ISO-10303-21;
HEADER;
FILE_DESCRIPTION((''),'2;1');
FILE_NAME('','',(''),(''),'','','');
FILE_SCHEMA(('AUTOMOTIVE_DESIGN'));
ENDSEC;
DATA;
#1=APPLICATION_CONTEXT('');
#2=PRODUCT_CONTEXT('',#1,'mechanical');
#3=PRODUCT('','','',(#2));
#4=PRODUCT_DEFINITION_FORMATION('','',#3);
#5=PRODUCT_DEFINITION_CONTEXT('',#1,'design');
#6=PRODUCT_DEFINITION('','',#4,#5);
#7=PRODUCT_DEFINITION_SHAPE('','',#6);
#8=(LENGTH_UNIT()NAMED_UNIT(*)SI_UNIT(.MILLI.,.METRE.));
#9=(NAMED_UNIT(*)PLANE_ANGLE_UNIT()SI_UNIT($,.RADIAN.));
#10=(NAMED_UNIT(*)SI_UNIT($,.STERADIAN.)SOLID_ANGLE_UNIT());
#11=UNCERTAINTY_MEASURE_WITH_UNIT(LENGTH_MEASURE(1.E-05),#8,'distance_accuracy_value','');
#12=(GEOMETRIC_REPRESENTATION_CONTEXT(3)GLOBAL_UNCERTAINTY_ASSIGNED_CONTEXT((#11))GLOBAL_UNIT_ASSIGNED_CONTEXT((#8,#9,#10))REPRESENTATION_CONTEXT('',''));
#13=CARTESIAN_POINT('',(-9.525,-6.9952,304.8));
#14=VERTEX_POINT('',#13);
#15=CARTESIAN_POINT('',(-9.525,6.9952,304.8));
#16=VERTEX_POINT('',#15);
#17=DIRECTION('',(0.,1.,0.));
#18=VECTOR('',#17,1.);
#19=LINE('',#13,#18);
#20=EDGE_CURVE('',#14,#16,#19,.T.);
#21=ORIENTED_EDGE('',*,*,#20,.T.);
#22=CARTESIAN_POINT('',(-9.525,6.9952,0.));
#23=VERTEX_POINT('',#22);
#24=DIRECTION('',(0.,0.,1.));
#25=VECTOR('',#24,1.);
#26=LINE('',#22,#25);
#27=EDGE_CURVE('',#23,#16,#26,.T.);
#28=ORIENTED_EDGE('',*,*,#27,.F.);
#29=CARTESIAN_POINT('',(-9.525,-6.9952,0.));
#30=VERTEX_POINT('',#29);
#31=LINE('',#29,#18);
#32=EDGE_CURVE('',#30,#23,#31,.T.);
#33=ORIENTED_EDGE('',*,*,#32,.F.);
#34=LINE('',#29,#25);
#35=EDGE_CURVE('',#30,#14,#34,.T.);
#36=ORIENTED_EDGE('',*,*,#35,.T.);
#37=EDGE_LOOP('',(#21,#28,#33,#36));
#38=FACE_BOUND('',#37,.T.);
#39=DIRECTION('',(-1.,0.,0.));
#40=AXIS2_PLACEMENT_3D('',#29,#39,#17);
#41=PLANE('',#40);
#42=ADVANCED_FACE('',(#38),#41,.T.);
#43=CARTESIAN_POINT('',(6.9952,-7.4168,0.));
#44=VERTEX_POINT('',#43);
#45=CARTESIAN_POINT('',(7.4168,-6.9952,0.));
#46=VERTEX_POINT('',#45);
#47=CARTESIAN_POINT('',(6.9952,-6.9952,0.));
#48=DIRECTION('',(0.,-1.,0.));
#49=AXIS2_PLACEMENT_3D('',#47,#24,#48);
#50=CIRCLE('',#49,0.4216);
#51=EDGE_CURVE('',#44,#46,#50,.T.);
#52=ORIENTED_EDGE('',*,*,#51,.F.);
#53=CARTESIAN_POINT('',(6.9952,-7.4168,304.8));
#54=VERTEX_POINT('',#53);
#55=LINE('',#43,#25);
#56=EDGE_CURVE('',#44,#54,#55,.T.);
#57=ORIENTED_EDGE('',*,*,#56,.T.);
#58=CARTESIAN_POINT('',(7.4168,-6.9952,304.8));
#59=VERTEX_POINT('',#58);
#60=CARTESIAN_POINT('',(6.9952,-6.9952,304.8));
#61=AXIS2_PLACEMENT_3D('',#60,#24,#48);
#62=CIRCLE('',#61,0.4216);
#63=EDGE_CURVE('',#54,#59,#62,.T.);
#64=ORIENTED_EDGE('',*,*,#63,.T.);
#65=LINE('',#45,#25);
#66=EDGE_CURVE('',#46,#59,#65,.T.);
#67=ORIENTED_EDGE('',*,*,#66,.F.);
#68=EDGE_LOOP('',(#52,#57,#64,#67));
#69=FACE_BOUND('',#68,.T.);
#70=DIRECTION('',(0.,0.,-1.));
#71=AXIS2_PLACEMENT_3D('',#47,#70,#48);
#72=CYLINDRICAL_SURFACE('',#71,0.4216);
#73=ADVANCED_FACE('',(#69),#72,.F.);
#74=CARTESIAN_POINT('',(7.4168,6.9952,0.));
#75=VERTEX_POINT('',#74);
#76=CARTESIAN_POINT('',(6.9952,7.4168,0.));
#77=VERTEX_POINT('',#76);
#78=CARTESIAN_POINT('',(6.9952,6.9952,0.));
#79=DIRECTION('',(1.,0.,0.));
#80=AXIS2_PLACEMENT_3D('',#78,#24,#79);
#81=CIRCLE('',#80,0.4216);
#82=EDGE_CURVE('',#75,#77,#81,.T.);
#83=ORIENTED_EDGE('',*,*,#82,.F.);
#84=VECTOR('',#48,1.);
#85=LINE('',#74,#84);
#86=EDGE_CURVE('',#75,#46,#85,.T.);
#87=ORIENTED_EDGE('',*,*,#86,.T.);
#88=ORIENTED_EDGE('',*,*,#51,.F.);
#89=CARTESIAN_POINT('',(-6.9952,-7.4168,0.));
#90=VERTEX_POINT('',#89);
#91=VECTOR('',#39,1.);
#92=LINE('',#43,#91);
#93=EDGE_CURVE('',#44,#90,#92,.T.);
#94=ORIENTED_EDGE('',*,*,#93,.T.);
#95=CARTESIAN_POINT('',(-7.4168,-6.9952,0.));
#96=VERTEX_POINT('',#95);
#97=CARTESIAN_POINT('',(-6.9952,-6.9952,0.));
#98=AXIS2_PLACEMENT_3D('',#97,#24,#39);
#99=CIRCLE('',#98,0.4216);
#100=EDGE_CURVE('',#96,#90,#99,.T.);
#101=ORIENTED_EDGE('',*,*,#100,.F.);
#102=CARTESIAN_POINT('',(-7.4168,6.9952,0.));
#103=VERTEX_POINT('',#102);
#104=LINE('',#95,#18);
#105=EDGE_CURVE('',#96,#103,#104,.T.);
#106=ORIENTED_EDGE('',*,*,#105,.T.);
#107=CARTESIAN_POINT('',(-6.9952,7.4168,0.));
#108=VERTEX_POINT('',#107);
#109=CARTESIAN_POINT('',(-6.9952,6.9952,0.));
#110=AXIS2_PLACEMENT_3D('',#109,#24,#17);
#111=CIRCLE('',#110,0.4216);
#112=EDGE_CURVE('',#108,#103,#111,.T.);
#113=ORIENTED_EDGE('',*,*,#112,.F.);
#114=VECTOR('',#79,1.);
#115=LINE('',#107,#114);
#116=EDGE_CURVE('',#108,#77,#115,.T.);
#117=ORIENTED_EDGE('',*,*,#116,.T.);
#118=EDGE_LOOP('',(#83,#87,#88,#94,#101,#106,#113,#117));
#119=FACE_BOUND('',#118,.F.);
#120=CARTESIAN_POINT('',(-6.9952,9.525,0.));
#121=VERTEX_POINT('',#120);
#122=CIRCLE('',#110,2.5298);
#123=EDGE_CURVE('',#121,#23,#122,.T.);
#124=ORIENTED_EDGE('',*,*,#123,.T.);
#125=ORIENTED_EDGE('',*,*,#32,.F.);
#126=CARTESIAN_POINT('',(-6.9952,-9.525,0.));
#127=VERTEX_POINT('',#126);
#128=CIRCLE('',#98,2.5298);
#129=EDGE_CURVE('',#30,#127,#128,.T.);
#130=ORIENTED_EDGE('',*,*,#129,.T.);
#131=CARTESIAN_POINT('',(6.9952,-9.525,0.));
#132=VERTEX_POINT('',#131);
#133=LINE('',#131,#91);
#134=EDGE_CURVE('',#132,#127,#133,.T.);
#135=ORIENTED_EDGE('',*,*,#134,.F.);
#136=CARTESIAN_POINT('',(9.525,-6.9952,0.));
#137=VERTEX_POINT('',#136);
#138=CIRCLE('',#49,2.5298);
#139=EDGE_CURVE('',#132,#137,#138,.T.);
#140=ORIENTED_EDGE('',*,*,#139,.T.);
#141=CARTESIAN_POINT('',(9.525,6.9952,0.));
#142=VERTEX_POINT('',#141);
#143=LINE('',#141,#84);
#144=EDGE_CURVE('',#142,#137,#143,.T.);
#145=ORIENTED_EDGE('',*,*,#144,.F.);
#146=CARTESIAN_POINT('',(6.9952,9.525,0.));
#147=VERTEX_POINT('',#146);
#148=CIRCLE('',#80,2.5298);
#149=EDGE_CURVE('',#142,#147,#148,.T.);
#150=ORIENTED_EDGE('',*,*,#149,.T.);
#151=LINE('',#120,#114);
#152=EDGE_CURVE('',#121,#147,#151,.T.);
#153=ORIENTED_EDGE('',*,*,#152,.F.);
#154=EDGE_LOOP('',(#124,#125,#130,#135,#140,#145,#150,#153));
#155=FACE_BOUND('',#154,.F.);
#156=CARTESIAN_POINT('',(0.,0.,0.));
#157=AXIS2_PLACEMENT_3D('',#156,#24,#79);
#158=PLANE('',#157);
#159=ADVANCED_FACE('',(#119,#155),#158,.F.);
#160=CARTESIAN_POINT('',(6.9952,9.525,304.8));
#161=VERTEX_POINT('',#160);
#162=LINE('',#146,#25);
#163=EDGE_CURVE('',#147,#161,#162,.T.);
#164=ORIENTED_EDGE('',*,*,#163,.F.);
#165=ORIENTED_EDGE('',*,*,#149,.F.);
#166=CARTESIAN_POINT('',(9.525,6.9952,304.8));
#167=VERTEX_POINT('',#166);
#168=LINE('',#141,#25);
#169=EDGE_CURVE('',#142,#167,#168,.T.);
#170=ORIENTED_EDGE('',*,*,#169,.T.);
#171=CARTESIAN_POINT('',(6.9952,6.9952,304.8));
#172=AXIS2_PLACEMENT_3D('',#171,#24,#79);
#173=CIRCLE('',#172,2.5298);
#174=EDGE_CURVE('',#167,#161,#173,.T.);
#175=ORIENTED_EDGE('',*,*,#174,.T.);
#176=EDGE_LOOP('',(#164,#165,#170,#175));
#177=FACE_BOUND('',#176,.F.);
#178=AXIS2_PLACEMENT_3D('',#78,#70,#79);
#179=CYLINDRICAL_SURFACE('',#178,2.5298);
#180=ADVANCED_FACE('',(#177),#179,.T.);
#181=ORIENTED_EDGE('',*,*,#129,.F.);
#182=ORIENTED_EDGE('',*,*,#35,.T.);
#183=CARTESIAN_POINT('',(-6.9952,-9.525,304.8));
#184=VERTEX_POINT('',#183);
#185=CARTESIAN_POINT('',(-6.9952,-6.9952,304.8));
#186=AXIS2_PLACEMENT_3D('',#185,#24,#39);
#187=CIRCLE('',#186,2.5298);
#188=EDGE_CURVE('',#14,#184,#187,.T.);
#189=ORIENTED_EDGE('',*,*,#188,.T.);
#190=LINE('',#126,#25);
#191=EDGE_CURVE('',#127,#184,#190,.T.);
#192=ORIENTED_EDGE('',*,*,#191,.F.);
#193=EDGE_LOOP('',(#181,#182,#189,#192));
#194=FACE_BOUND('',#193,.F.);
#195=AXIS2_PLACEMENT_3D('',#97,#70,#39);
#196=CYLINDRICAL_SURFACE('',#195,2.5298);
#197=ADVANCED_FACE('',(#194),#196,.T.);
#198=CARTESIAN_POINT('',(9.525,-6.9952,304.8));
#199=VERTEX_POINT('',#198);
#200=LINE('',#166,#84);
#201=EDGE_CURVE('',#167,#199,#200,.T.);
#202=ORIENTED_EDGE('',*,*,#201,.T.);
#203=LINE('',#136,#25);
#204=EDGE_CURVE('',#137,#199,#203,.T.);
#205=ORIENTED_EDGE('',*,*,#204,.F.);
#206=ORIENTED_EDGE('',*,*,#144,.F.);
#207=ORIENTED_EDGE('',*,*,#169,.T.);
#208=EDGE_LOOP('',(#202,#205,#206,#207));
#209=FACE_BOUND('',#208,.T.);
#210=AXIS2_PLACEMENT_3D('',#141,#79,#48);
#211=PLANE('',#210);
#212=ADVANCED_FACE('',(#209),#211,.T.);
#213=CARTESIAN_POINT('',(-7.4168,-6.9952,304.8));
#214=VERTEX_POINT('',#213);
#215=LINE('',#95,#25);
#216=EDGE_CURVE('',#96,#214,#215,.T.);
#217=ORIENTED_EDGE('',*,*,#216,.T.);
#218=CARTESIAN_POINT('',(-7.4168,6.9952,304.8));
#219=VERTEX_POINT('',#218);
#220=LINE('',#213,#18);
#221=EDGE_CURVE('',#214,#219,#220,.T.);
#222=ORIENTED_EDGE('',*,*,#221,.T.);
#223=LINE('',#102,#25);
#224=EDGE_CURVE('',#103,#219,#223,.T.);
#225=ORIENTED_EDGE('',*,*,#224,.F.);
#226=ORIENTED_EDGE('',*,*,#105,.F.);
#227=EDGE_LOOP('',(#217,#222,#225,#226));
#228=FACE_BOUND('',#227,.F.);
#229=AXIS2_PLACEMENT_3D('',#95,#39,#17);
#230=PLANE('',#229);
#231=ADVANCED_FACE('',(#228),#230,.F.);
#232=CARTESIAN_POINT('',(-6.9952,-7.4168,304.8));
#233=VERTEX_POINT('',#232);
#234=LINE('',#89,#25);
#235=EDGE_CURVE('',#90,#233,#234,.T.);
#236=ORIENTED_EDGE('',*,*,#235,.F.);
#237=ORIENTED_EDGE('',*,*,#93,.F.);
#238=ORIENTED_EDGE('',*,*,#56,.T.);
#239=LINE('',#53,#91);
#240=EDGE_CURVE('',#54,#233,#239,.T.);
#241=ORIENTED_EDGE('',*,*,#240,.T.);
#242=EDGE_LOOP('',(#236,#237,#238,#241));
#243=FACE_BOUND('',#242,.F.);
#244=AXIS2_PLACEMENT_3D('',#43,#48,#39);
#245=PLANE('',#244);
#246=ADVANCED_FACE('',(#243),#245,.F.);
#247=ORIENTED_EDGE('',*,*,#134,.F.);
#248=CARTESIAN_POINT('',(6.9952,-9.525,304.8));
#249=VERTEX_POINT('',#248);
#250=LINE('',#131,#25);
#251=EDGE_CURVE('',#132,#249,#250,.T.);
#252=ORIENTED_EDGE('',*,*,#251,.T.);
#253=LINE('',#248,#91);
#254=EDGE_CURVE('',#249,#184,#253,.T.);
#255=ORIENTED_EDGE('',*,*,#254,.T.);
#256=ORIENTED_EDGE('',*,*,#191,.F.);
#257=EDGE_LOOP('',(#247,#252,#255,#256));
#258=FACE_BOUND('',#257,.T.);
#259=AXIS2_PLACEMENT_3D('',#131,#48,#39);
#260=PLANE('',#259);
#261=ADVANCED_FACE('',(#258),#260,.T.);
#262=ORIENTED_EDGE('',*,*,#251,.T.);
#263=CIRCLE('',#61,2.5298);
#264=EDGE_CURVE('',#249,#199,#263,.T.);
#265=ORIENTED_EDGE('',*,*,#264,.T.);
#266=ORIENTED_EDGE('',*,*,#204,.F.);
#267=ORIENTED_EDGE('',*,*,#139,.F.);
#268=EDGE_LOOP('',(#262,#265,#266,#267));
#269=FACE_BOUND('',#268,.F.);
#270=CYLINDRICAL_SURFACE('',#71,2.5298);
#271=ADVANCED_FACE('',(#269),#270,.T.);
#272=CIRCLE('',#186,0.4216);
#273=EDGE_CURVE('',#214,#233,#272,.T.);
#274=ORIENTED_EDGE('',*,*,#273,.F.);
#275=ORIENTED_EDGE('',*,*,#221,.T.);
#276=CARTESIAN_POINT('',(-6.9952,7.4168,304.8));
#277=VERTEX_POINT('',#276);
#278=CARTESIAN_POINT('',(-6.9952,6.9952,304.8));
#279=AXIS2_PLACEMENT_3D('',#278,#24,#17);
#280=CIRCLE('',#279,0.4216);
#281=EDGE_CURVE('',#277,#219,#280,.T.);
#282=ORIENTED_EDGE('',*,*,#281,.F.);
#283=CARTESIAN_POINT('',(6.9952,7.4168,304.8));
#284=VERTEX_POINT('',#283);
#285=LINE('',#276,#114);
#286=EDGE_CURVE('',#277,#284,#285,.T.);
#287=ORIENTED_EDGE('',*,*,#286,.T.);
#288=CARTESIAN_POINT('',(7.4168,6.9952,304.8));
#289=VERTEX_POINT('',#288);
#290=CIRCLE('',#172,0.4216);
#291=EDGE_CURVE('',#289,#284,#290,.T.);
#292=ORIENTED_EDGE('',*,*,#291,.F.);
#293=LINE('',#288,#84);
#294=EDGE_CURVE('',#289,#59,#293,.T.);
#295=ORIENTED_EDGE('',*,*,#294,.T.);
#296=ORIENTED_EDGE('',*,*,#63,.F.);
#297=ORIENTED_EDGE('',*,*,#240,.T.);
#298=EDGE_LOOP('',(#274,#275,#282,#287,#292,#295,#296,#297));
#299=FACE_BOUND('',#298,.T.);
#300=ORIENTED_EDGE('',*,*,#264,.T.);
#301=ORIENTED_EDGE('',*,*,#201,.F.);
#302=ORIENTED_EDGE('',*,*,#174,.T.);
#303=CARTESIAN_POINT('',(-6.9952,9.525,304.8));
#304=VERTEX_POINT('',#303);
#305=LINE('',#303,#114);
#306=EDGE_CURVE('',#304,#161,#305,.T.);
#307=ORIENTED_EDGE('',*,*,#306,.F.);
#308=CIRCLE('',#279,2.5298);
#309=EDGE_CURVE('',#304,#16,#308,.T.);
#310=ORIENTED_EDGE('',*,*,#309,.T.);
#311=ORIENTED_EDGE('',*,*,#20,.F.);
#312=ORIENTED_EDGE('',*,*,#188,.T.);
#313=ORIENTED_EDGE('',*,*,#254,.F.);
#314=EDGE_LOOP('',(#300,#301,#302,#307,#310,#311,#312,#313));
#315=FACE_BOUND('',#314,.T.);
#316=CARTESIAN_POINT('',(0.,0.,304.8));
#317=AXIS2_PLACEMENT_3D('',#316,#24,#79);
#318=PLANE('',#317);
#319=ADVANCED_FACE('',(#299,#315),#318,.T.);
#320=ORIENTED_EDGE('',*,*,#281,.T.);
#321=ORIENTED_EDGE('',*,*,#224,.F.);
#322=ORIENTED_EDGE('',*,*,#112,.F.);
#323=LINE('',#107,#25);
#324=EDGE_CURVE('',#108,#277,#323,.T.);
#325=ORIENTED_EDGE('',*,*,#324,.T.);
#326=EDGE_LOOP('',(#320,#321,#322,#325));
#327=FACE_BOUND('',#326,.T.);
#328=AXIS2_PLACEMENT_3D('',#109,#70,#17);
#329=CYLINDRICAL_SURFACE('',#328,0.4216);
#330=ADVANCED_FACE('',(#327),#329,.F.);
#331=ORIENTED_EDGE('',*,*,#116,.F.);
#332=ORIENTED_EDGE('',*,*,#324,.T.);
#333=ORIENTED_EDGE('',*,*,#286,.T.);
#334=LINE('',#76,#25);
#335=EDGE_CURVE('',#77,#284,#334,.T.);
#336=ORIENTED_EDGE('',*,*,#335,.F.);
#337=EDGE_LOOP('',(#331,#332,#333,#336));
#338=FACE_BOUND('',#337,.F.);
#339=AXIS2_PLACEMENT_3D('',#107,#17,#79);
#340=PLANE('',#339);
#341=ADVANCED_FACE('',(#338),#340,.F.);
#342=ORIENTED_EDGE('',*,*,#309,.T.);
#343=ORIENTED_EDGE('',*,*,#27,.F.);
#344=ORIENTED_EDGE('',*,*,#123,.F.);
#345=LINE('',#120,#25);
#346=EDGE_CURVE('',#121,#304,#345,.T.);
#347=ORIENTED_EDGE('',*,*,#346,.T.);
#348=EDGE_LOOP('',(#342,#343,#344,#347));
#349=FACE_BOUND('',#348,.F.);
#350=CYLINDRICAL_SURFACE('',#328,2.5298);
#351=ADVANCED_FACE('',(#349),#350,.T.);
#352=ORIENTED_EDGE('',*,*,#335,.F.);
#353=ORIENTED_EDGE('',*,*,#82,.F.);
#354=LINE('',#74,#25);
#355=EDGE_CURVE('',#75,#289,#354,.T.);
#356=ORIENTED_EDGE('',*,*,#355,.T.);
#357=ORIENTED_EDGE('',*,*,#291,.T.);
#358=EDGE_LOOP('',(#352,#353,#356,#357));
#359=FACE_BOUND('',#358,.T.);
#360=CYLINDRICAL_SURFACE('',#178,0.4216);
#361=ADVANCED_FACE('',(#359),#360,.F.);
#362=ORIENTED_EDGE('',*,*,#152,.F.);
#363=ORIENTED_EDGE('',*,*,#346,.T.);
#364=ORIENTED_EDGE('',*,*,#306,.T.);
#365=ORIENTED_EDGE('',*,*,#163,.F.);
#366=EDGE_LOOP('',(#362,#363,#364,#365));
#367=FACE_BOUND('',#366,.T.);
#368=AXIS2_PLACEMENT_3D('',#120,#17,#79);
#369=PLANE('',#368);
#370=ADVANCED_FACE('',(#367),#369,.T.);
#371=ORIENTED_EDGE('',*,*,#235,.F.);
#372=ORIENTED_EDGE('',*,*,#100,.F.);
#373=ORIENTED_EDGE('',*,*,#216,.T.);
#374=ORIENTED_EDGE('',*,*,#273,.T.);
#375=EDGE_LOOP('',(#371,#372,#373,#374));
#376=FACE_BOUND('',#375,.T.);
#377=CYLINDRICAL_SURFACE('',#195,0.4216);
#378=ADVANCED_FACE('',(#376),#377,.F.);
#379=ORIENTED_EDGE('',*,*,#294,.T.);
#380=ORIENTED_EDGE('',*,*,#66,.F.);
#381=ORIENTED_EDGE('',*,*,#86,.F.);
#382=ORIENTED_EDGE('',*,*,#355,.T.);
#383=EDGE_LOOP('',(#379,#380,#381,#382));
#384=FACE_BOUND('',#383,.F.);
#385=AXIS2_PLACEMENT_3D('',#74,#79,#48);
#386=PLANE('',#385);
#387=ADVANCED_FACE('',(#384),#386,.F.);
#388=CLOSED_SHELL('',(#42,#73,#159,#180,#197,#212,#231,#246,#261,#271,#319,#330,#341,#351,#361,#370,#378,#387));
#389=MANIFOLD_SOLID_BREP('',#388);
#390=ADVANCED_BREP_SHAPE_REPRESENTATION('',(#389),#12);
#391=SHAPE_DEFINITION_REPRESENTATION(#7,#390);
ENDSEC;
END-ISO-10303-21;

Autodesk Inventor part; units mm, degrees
ref_plane "YZ Plane" through (0, 0, 0) normal (1, 0, 0) x (0, 1, 0)
ref_plane "Start plane" through (0, 0, 0) normal (0, 0, 1) x (1, 0, 0)
ref_plane "End plane" through (0, 0, 304.8) normal (0, 0, 1) x (1, 0, 0)
sketch "Sketch" plane through (0, 0, 0) normal (0, 0, 1) x (1, 0, 0)
  line L0 (-9.525, -6.9952) -> (-9.525, 6.9952)
  line L1 (-6.9952, 9.525) -> (6.9952, 9.525)
  line L2 (9.525, 6.9952) -> (9.525, -6.9952)
  line L3 (6.9952, -9.525) -> (-6.9952, -9.525)
  arc A0 (-9.525, -6.9952) -> (-6.9952, -9.525) centre (-6.9952, -6.9952) ccw
  arc A1 (-6.9952, 9.525) -> (-9.525, 6.9952) centre (-6.9952, 6.9952) ccw
  arc A2 (9.525, 6.9952) -> (6.9952, 9.525) centre (6.9952, 6.9952) ccw
  arc A3 (6.9952, -9.525) -> (9.525, -6.9952) centre (6.9952, -6.9952) ccw
  arc A4 (-6.9952, 7.4168) -> (-7.4168, 6.9952) centre (-6.9952, 6.9952) ccw
  line L4 (-6.9952, 7.4168) -> (6.9952, 7.4168)
  arc A5 (7.4168, 6.9952) -> (6.9952, 7.4168) centre (6.9952, 6.9952) ccw
  line L5 (7.4168, 6.9952) -> (7.4168, -6.9952)
  arc A6 (6.9952, -7.4168) -> (7.4168, -6.9952) centre (6.9952, -6.9952) ccw
  line L6 (6.9952, -7.4168) -> (-6.9952, -7.4168)
  arc A7 (-7.4168, -6.9952) -> (-6.9952, -7.4168) centre (-6.9952, -6.9952) ccw
  line L7 (-7.4168, -6.9952) -> (-7.4168, 6.9952)
  line L8 (0, 14.0685) -> (0, -14.0685) construction
  line L9 (-14.0685, 0) -> (14.0685, 0) construction
  dimension "d10" = 19.05
  dimension "d11" = 19.05
  dimension "d12" = 2.1082
  dimension "d15" = 9.525
  dimension "d16" = 9.525
  dimension "d17" = 2.5298
extrude "Body" add sketch "Sketch" along normal up to surface (304.8 mm away) from surface at 0
sketch "Sketch3" plane through (0, 0, 0) normal (0, 0, 1) x (1, 0, 0)
  line L0 (0, 0) -> (10, 0)
ref_plane "Work Plane3" through (0, 0, 0) normal (0, -1, 0) x (1, 0, 0)
sketch "Sketch4" plane through (0, 0, 0) normal (0, -1, 0) x (1, 0, 0)
  line L0 (-2, 0) -> (12, 0)
  line L1 (-2, 304.8) -> (12, 304.8)
  dimension "d19" = 304.8
equation "\"d10\" = G_H"
equation "\"d11\" = G_W"
equation "\"d12\" = G_T"
equation "\"d15\" = 0.5 * d10"
equation "\"d16\" = 0.5 * d11"
equation "\"d17\" = G_IR"
equation "\"d3\" = G_L"
equation "\"G_W\" = 19.05"
equation "\"G_H\" = 19.05"
equation "\"G_T\" = 2.1082"
equation "\"G_IR\" = 1.2 * G_T"
equation "\"G_L\" = d19"
equation "\"G_OFFSET_START\" = 0"
equation "\"G_OFFSET_END\" = 0"
equation "\"d14\" = G_OFFSET_END + B_L"
equation "\"B_L\" = 304.8"
properties part number "ASTM A513 - 3/4 x 3/4 x 83/1000 - 12" material "Steel, Mild"
